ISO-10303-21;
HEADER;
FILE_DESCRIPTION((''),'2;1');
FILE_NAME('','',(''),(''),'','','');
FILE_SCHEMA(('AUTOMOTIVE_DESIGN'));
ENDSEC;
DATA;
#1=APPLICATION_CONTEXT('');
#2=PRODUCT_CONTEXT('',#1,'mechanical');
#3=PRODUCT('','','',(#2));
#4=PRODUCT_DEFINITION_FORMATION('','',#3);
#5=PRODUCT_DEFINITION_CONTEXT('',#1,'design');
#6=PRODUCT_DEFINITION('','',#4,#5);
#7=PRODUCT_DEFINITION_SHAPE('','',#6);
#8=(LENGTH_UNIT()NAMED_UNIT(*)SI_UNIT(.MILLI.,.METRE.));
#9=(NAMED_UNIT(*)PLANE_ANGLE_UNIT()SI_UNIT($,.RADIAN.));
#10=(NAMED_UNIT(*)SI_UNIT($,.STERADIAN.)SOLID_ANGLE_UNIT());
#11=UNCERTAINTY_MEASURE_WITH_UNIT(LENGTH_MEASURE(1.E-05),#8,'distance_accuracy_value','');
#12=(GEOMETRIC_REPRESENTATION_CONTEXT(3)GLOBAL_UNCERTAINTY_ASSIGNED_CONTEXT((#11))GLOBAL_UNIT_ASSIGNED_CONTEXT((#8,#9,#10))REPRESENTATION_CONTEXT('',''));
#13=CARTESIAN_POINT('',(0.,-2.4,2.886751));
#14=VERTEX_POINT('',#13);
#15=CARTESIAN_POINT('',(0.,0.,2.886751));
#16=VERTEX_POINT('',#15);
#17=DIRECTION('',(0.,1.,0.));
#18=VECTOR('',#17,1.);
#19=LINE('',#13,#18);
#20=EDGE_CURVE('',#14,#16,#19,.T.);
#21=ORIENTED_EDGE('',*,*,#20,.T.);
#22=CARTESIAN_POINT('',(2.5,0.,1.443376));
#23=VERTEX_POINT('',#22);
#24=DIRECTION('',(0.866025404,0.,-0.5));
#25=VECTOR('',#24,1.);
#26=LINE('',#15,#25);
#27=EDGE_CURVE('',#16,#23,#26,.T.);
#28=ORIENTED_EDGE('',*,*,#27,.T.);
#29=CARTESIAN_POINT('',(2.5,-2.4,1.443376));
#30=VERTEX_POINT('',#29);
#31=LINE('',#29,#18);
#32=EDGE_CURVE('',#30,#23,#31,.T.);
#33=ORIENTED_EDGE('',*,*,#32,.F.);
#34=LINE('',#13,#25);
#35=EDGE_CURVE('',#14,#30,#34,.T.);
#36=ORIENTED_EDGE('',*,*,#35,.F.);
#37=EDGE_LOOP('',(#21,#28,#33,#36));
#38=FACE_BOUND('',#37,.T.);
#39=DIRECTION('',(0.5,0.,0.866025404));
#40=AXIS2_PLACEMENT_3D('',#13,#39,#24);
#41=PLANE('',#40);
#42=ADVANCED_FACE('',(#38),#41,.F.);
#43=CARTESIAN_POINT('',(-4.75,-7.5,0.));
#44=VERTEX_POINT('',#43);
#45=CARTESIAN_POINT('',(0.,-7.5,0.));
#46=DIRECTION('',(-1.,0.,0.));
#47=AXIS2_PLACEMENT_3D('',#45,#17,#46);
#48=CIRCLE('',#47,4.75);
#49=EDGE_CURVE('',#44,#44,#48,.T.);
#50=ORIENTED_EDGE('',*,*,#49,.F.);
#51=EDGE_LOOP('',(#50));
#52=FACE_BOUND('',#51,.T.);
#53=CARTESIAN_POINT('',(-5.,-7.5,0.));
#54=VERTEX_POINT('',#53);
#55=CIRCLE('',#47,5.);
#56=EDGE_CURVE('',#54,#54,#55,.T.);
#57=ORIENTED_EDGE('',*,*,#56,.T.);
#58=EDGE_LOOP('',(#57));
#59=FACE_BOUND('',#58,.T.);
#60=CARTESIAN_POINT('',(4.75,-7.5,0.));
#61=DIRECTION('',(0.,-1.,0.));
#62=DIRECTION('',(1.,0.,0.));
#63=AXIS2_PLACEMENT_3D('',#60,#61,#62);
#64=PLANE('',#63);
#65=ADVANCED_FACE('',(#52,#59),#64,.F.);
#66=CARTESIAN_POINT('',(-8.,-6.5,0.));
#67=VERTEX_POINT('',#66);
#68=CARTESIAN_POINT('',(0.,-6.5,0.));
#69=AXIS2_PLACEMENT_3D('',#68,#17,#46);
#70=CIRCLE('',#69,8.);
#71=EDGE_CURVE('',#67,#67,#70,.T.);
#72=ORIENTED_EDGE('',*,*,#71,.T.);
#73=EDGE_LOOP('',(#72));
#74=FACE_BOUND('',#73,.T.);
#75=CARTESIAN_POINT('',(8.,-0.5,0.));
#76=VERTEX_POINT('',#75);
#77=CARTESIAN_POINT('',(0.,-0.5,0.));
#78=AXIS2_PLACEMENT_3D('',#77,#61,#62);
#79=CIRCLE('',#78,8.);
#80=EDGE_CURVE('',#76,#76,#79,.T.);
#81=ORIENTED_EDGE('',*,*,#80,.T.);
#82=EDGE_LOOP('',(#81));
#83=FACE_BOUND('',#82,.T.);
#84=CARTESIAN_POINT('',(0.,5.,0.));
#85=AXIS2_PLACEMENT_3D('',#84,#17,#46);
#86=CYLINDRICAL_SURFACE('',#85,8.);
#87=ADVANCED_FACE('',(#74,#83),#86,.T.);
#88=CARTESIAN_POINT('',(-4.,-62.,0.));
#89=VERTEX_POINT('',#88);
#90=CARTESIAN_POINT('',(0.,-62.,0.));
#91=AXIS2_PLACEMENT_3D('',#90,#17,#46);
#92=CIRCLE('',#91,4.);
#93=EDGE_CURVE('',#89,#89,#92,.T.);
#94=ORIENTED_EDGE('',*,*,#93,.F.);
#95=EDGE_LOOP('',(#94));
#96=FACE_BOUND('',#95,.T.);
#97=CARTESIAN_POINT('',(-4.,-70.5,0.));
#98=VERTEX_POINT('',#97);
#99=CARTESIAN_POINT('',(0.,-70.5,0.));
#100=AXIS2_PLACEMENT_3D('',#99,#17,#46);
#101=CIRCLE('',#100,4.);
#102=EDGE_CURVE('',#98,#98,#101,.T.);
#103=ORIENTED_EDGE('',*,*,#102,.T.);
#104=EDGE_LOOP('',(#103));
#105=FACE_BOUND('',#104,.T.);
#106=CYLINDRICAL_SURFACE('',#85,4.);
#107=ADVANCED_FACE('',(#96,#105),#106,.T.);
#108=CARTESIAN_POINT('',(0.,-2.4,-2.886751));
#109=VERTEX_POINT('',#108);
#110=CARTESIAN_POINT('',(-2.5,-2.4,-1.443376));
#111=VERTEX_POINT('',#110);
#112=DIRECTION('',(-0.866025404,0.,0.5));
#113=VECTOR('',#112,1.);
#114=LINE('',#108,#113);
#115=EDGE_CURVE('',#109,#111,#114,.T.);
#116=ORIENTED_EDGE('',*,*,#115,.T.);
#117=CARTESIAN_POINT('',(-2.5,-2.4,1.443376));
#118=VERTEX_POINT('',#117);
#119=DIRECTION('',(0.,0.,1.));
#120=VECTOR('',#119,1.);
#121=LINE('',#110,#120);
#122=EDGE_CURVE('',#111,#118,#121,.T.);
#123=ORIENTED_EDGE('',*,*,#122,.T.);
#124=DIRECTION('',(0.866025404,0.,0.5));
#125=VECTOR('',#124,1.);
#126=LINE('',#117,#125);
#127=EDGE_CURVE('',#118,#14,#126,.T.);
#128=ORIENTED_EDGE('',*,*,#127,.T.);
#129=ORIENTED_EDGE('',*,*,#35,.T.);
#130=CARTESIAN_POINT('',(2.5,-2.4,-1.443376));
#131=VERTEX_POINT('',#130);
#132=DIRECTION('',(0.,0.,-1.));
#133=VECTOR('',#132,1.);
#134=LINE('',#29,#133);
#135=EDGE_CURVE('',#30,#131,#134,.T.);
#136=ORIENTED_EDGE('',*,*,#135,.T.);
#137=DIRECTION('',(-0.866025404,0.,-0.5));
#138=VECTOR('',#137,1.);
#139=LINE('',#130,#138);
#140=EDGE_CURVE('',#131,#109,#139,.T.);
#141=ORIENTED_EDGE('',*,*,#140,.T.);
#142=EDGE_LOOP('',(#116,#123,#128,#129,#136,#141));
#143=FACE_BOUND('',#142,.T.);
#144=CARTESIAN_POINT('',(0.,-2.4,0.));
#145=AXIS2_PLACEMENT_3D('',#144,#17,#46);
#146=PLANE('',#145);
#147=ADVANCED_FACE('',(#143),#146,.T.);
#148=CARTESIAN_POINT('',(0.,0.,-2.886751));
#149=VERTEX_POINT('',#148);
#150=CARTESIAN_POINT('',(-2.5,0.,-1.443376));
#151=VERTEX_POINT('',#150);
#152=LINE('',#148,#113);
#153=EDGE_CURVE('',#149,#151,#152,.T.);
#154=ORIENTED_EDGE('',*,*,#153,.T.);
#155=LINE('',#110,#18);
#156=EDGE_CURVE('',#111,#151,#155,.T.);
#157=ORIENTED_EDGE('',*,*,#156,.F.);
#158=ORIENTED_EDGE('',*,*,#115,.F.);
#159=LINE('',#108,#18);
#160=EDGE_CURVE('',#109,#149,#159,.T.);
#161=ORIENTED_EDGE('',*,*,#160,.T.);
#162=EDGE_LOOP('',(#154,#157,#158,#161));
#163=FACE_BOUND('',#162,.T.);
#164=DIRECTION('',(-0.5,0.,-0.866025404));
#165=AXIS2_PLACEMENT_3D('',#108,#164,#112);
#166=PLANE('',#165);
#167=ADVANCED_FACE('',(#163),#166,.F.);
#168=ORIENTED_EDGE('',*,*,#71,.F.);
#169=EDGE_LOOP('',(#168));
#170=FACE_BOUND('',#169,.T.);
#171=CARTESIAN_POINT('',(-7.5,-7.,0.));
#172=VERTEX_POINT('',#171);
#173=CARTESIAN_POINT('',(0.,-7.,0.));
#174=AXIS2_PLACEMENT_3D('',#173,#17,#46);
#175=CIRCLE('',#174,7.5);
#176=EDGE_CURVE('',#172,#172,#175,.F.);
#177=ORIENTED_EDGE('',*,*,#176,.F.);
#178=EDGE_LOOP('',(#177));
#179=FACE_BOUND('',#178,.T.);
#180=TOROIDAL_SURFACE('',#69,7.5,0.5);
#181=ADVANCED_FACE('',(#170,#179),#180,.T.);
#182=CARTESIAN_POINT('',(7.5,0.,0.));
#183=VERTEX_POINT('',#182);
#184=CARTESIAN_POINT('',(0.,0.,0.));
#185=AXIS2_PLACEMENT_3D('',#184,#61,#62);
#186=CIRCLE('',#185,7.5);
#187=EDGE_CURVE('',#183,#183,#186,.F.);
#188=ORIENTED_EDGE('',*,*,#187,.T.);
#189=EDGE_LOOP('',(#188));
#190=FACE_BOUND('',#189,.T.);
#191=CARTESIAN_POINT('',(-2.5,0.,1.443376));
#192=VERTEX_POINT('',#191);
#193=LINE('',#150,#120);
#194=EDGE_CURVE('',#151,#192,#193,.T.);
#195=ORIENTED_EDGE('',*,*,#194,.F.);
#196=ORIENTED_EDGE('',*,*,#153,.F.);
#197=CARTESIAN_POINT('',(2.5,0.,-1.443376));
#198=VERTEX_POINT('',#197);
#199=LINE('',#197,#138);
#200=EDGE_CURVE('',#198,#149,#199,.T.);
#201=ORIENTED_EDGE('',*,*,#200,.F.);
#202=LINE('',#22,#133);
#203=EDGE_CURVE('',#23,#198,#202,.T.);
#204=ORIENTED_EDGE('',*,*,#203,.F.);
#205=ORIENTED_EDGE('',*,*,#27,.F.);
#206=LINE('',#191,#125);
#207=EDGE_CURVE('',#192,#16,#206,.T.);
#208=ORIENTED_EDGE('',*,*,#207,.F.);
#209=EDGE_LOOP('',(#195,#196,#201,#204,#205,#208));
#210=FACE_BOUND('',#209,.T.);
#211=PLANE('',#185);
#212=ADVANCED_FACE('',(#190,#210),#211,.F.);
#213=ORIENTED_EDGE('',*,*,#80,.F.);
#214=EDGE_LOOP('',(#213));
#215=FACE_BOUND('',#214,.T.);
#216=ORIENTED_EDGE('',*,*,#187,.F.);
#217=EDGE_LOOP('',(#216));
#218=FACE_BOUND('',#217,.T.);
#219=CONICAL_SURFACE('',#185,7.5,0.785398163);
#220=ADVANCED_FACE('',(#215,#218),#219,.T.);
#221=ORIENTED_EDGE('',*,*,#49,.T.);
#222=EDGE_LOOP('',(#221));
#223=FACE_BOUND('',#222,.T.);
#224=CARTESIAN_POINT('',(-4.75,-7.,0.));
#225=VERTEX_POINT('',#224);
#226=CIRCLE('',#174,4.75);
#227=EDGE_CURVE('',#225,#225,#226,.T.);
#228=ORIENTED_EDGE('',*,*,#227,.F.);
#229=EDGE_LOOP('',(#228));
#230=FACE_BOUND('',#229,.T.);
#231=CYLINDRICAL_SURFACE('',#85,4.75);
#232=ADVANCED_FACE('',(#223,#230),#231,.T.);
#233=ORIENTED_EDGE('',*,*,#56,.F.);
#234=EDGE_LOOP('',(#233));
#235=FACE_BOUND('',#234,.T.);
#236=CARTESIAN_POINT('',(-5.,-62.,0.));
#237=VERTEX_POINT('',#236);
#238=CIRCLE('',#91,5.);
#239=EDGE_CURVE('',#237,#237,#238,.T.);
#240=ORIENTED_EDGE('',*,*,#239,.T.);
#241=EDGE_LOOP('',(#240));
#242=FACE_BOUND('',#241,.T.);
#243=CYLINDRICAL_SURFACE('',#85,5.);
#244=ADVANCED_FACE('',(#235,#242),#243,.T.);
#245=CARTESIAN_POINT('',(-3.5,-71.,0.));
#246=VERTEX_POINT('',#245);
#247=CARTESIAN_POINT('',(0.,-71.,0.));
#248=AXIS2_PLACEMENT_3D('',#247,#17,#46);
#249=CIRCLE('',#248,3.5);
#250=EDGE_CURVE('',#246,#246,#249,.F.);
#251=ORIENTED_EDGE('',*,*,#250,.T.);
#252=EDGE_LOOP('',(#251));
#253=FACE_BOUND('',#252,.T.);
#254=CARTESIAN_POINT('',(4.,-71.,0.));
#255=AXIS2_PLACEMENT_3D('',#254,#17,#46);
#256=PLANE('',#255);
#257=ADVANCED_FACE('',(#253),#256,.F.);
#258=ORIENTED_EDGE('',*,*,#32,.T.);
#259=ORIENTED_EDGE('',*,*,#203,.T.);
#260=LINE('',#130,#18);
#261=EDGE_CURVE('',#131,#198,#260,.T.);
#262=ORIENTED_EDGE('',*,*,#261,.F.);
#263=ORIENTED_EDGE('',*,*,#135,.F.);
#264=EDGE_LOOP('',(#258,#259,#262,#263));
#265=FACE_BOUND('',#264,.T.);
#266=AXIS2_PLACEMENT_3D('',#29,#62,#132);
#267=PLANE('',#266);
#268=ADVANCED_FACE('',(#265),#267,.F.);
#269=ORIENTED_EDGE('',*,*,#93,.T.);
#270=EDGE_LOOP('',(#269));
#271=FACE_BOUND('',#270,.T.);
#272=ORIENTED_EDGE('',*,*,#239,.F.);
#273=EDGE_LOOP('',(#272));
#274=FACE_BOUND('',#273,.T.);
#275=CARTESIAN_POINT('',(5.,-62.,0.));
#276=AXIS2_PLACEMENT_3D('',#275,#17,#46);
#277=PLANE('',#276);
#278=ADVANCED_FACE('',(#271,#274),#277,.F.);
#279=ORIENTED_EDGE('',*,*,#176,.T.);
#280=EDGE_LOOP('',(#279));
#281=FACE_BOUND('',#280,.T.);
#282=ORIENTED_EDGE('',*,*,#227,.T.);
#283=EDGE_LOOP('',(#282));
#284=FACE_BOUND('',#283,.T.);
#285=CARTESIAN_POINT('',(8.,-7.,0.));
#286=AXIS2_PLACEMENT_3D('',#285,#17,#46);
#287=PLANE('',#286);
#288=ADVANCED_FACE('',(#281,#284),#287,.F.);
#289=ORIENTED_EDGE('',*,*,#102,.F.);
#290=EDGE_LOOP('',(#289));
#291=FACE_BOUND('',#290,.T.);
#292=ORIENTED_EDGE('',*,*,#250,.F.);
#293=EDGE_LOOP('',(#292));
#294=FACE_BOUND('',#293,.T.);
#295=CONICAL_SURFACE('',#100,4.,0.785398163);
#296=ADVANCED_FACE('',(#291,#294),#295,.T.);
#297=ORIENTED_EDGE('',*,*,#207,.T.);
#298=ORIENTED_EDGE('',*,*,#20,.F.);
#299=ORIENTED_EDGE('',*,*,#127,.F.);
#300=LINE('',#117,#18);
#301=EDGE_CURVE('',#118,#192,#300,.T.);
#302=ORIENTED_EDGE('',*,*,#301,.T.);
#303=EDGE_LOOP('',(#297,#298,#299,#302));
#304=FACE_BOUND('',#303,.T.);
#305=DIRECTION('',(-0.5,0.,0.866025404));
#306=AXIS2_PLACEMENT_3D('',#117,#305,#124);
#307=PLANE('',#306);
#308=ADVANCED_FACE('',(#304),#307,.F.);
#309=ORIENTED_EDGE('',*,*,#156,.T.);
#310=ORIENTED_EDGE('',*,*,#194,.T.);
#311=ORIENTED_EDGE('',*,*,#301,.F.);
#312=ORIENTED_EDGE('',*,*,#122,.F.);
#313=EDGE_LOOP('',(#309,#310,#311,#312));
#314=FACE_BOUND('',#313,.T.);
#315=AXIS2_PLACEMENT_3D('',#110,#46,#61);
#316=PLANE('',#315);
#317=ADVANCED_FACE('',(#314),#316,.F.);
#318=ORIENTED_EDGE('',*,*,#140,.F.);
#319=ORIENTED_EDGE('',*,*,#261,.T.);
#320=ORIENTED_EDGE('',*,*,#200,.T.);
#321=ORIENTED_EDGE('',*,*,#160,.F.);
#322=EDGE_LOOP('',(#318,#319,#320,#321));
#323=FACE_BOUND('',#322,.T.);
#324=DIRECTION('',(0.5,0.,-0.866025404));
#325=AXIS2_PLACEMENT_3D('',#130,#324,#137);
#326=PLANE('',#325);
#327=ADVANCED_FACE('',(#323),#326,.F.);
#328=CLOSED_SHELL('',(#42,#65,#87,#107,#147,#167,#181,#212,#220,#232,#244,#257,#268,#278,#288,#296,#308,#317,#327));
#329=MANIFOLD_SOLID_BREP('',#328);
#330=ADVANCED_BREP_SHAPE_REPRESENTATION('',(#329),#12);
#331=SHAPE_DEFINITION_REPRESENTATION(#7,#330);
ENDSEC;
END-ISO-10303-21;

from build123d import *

# Parameters (mm, degrees)
CUT_EXTRUDE1_DEPTH = 2.4
CHAMFER1_SIZE      = 0.5
FILLET1_R          = 0.5
CHAMFER2_SIZE      = 0.5


with BuildPart() as part:
    # Sketch1 → Revolve1 (revolve)
    with BuildSketch(Plane.XY, mode=Mode.PRIVATE) as revolve1_sk:
        Polygon((0, 0), (8, 0), (8, -7), (4.75, -7), (4.75, -7.5), (5, -7.5), (5, -62), (4, -62), (4, -71), (0, -71), align=None)
    revolve(revolve1_sk.sketch.rotate(Axis((0, 5, 0), (0, -1, 0)), 180), axis=Axis((0, 5, 0), (0, -1, 0)))

    # Sketch2 → Cut-Extrude1 (cut)
    with BuildSketch(Plane(origin=(0, 0, 0), x_dir=(1, 0, 0), z_dir=(0, 1, 0))):
        Polygon((0, -2.886751346), (2.5, -1.443375673), (2.5, 1.443375673), (0, 2.886751346), (-2.5, 1.443375673), (-2.5, -1.443375673), align=None)
    extrude(amount=-CUT_EXTRUDE1_DEPTH, mode=Mode.SUBTRACT)

    # Chamfer1
    chamfer1_edges = [part.edges().sort_by_distance(p)[0] for p in [
        (8, 0, 0),
    ]]
    chamfer(chamfer1_edges, length=CHAMFER1_SIZE)

    # Fillet1
    fillet1_edges = [part.edges().sort_by_distance(p)[0] for p in [
        (8, -7, 0),
    ]]
    fillet(fillet1_edges, radius=FILLET1_R)

    # Chamfer2
    chamfer2_edges = [part.edges().sort_by_distance(p)[0] for p in [
        (4, -71, 0),
    ]]
    chamfer(chamfer2_edges, length=CHAMFER2_SIZE)


solid = part.part
